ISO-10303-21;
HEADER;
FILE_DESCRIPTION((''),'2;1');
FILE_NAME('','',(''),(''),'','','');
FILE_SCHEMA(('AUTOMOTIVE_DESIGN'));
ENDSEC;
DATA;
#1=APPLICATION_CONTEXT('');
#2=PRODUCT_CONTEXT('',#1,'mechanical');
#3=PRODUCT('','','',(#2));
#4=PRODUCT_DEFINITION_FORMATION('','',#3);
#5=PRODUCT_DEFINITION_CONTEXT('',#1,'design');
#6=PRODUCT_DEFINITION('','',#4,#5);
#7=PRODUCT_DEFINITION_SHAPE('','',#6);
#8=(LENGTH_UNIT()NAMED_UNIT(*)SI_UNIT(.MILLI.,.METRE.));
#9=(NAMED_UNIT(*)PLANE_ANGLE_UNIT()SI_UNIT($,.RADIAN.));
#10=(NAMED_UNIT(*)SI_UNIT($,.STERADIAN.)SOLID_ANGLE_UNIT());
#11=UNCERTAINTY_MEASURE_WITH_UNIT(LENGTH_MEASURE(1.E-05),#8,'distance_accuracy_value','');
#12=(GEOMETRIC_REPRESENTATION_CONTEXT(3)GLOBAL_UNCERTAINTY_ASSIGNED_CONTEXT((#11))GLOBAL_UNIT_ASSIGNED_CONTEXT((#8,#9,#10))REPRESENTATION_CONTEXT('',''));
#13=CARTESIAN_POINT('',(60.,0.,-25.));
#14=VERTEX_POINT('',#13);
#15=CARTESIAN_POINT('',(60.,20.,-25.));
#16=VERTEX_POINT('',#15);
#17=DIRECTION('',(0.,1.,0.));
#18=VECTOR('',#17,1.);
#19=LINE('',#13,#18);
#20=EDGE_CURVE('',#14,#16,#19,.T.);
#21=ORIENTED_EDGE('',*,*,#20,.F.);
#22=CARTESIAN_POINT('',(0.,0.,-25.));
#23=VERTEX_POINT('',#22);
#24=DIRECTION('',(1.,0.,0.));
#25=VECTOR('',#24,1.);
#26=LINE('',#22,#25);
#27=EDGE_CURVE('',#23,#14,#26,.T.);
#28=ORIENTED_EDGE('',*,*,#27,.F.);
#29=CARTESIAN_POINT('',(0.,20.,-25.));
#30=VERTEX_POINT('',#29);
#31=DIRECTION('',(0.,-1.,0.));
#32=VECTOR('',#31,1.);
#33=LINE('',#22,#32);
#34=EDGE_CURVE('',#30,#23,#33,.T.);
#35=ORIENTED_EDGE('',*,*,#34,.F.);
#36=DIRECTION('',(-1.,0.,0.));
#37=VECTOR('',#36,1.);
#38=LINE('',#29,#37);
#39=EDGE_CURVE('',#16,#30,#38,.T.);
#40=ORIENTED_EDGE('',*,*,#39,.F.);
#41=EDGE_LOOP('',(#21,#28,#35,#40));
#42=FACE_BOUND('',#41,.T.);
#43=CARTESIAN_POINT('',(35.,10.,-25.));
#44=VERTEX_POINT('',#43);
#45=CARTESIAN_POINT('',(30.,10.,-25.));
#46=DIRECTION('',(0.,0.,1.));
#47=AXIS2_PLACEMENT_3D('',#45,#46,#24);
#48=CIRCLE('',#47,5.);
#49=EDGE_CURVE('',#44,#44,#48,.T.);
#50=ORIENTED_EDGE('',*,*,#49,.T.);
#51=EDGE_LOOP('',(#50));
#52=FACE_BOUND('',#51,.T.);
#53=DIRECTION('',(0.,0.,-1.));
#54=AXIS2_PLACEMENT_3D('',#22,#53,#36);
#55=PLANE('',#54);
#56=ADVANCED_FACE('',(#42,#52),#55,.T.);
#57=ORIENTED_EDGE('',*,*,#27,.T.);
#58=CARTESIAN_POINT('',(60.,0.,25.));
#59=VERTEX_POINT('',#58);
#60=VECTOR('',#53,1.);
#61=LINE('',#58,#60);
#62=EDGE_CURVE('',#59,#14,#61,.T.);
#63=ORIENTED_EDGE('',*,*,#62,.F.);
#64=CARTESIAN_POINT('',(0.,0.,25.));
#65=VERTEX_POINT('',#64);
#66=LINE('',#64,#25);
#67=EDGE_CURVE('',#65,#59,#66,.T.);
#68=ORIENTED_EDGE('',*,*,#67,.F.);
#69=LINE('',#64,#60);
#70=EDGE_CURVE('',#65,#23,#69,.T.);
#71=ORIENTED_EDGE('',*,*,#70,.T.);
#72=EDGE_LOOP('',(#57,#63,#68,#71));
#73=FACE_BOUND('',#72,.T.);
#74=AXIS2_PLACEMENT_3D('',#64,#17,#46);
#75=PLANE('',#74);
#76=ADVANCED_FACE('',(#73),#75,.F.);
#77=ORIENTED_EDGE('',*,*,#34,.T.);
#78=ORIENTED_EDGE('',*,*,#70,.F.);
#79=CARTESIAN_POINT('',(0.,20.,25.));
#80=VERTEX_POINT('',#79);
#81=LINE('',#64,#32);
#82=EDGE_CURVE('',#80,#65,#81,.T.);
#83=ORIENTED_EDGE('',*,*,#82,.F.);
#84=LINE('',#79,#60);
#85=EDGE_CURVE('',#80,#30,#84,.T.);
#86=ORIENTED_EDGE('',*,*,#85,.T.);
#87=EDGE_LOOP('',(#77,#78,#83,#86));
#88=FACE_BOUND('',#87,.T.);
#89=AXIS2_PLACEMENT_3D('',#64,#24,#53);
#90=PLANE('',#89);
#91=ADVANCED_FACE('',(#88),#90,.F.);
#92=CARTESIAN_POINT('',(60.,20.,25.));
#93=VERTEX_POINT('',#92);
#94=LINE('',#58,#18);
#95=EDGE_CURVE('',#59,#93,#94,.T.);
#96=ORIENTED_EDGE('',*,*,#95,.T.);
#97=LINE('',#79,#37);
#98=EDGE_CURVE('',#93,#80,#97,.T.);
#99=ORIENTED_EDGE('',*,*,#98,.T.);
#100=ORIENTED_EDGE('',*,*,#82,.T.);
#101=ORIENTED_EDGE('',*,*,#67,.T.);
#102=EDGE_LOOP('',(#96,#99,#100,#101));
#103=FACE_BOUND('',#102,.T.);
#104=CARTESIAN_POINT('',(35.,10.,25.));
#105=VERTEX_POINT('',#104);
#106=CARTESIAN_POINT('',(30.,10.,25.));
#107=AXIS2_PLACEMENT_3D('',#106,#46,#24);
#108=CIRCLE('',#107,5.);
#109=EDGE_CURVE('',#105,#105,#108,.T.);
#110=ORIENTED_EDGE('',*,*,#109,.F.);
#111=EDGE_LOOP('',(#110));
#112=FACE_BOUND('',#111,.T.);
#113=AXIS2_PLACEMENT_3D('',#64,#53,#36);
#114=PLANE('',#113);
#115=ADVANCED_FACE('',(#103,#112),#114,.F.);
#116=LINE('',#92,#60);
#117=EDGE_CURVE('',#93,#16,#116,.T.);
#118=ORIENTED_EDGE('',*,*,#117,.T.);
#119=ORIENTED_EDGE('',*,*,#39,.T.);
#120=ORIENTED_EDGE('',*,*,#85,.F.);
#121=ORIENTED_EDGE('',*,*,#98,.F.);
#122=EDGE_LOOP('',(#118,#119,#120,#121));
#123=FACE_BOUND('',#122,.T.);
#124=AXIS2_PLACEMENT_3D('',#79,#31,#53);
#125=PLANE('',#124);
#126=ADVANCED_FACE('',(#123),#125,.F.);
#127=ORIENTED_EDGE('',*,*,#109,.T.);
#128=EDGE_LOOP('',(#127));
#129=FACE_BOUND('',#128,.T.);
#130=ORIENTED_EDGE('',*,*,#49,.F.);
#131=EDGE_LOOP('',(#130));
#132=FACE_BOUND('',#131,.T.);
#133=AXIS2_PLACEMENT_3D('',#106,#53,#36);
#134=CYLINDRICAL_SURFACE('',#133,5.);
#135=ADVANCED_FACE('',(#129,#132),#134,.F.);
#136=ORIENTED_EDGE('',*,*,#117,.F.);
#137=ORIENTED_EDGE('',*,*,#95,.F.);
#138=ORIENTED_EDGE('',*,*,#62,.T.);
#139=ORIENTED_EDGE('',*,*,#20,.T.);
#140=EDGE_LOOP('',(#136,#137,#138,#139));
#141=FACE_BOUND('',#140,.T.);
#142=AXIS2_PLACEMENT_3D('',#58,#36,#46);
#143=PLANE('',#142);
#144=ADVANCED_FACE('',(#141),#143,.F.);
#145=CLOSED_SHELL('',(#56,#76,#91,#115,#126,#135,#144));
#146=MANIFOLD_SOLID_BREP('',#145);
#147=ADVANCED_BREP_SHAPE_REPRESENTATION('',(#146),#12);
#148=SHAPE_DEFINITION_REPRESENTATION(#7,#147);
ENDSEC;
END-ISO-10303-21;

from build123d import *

# Parameters (mm, degrees)
SKETCH_1_W      = 60
SKETCH_1_H      = 20
SKETCH_1_R      = 5
EXTRUDE_1_DEPTH = 25


with BuildPart() as part:
    # 草圖1 → 填料-伸長1 (new, symmetric)
    with BuildSketch(Plane.XY):
        with Locations((30, 10)):
            Rectangle(SKETCH_1_W, SKETCH_1_H)
        with Locations((30, 10)):
            Circle(SKETCH_1_R, mode=Mode.SUBTRACT)
    extrude(amount=EXTRUDE_1_DEPTH, both=True)


solid = part.part
